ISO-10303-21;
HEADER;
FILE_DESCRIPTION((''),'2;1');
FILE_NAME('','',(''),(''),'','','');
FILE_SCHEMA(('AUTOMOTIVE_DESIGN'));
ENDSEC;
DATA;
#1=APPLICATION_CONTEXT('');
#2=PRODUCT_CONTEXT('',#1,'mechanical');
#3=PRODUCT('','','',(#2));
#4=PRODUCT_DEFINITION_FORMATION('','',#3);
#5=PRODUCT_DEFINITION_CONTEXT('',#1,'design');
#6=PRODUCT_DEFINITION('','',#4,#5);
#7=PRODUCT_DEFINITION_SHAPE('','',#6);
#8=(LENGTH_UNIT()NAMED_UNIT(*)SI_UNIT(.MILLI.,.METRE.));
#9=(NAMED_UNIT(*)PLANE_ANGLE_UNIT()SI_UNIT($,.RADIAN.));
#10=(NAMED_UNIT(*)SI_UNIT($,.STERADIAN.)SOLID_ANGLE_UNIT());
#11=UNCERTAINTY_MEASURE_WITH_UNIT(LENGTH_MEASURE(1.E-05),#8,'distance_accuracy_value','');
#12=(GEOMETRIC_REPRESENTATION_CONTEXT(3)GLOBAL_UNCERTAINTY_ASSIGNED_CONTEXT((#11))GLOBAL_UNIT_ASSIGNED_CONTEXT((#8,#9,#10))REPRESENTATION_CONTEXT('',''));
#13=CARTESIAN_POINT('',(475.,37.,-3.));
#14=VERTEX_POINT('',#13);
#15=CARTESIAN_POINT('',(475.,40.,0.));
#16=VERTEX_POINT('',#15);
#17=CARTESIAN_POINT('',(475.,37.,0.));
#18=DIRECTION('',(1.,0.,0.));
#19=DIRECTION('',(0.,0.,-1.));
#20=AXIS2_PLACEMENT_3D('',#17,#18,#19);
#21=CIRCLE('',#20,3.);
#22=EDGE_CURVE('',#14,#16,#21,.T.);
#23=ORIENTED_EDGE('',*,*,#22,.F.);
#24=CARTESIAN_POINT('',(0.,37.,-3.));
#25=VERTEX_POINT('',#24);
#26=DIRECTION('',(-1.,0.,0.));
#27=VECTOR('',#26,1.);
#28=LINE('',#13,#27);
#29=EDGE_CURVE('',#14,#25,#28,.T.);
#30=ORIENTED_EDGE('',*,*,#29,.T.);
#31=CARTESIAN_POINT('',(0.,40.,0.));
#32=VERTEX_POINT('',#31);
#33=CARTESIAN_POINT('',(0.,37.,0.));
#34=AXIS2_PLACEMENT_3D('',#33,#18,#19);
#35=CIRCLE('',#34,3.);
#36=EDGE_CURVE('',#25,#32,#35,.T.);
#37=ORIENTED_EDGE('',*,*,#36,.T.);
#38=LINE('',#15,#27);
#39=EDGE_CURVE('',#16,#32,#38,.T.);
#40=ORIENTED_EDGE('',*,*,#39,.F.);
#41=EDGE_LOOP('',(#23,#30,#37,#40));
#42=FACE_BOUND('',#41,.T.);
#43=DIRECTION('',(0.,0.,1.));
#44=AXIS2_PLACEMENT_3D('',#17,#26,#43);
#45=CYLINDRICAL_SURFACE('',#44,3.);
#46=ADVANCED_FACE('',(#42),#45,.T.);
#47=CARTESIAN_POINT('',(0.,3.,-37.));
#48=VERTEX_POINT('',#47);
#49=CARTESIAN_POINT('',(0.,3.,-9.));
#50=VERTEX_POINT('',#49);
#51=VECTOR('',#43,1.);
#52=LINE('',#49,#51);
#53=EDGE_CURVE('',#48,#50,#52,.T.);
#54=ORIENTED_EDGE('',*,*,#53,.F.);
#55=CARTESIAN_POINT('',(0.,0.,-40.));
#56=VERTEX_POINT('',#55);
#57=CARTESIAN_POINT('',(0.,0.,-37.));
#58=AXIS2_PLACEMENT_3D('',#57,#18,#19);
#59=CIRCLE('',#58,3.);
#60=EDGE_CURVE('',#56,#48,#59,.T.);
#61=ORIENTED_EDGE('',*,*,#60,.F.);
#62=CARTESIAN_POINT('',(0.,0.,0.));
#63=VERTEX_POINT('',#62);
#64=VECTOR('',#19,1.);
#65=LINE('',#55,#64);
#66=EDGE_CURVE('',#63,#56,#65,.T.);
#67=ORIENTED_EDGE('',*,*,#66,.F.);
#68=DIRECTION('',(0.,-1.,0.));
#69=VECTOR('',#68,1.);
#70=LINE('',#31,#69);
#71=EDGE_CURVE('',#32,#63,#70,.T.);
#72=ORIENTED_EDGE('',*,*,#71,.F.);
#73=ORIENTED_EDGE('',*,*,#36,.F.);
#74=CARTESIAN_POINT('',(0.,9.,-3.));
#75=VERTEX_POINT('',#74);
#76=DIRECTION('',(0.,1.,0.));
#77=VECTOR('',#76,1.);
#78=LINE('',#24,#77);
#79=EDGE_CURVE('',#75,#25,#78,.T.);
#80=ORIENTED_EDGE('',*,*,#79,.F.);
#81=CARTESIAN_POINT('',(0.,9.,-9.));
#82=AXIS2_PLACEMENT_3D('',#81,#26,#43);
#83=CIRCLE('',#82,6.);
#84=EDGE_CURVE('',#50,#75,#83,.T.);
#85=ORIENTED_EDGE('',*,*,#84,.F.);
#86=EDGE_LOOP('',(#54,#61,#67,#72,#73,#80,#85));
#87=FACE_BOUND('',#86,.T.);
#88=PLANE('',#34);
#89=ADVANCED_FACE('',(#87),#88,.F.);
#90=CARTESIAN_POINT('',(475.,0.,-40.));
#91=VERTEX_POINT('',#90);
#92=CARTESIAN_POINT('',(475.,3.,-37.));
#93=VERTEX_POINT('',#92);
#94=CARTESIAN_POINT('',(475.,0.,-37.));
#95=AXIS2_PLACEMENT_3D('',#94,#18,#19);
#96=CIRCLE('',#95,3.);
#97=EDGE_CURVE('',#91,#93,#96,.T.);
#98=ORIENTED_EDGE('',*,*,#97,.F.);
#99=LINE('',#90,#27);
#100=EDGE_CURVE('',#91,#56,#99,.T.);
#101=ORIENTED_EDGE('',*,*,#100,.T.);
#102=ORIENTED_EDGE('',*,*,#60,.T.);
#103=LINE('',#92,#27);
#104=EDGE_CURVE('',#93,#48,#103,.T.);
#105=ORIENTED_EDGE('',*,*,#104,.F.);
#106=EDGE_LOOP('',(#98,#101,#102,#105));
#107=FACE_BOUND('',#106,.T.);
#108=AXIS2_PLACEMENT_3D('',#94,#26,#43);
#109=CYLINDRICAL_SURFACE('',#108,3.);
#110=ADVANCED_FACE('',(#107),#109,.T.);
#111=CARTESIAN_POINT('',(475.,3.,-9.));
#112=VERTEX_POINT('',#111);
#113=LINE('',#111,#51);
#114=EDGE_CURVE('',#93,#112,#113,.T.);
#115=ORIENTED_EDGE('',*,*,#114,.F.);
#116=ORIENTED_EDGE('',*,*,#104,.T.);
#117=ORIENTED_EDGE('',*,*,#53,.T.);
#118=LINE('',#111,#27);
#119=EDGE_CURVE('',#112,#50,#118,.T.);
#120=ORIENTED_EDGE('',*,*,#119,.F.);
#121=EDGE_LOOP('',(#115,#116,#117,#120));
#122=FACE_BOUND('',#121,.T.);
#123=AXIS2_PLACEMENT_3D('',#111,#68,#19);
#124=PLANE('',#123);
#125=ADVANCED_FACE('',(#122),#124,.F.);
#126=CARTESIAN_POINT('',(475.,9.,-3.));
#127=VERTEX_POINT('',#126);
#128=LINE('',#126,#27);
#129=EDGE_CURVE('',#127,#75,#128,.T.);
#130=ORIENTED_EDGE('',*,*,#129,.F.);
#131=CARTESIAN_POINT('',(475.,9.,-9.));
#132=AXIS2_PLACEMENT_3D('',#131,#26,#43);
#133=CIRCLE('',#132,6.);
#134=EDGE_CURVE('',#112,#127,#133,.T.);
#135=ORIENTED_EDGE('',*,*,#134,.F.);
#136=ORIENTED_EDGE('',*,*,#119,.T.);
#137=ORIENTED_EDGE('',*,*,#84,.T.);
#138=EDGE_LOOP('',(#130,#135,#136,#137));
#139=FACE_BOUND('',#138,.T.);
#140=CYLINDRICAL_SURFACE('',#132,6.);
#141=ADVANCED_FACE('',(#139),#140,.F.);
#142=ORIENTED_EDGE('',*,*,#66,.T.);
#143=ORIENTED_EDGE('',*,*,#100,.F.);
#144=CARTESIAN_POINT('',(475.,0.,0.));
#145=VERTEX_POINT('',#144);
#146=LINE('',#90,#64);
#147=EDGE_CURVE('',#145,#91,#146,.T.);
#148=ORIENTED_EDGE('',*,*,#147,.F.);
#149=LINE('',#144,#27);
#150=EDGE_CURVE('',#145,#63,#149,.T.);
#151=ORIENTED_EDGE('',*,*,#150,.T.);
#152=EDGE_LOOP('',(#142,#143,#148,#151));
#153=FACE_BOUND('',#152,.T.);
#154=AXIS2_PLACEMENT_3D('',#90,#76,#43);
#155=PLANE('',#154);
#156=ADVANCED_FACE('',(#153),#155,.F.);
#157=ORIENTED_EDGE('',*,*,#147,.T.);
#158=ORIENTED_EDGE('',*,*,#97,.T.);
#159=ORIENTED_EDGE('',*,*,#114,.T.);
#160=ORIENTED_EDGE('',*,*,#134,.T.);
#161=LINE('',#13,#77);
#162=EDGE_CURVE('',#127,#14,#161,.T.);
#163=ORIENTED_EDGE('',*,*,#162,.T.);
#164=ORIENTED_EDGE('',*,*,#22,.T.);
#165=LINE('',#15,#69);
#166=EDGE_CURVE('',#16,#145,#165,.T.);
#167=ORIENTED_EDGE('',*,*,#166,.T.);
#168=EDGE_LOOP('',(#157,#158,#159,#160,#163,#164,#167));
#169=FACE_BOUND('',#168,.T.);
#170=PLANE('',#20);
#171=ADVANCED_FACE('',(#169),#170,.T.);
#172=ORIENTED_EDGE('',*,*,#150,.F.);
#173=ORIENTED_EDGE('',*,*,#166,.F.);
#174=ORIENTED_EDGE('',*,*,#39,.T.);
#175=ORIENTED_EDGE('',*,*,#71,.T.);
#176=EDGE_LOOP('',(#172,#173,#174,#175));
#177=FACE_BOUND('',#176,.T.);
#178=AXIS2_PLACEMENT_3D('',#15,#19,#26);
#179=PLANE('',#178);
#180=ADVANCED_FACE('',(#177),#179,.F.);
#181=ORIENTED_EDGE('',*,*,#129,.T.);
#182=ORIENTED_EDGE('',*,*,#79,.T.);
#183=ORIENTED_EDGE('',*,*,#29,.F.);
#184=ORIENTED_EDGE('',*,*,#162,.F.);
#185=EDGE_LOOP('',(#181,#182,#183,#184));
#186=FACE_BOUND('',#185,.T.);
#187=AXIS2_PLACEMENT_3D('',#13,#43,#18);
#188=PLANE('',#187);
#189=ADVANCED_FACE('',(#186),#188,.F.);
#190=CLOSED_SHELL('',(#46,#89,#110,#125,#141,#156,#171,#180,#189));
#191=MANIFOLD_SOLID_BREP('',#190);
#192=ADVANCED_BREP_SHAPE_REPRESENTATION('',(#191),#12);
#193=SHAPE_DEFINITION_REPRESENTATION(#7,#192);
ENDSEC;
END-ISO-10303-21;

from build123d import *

# Parameters (mm, degrees)
L_ANGLE_EQUAL_40X40X3_9_DEPTH = 475


with BuildPart() as part:
    # Sketch13 → L angle (equal) 40X40X3(9) (new body)
    with BuildSketch(Plane(origin=(0, 0, 0), x_dir=(0, 0, -1), z_dir=(1, 0, 0))):
        with BuildLine():
            Line((0, 40), (0, 0))
            Line((0, 0), (40, 0))
            ThreePointArc((40, 0), (39.121320344, 2.121320344), (37, 3))
            Line((37, 3), (9, 3))
            ThreePointArc((9, 3), (4.757359313, 4.757359313), (3, 9))
            Line((3, 9), (3, 37))
            ThreePointArc((3, 37), (2.121320344, 39.121320344), (0, 40))
        make_face()
    extrude(amount=L_ANGLE_EQUAL_40X40X3_9_DEPTH)


solid = part.part
